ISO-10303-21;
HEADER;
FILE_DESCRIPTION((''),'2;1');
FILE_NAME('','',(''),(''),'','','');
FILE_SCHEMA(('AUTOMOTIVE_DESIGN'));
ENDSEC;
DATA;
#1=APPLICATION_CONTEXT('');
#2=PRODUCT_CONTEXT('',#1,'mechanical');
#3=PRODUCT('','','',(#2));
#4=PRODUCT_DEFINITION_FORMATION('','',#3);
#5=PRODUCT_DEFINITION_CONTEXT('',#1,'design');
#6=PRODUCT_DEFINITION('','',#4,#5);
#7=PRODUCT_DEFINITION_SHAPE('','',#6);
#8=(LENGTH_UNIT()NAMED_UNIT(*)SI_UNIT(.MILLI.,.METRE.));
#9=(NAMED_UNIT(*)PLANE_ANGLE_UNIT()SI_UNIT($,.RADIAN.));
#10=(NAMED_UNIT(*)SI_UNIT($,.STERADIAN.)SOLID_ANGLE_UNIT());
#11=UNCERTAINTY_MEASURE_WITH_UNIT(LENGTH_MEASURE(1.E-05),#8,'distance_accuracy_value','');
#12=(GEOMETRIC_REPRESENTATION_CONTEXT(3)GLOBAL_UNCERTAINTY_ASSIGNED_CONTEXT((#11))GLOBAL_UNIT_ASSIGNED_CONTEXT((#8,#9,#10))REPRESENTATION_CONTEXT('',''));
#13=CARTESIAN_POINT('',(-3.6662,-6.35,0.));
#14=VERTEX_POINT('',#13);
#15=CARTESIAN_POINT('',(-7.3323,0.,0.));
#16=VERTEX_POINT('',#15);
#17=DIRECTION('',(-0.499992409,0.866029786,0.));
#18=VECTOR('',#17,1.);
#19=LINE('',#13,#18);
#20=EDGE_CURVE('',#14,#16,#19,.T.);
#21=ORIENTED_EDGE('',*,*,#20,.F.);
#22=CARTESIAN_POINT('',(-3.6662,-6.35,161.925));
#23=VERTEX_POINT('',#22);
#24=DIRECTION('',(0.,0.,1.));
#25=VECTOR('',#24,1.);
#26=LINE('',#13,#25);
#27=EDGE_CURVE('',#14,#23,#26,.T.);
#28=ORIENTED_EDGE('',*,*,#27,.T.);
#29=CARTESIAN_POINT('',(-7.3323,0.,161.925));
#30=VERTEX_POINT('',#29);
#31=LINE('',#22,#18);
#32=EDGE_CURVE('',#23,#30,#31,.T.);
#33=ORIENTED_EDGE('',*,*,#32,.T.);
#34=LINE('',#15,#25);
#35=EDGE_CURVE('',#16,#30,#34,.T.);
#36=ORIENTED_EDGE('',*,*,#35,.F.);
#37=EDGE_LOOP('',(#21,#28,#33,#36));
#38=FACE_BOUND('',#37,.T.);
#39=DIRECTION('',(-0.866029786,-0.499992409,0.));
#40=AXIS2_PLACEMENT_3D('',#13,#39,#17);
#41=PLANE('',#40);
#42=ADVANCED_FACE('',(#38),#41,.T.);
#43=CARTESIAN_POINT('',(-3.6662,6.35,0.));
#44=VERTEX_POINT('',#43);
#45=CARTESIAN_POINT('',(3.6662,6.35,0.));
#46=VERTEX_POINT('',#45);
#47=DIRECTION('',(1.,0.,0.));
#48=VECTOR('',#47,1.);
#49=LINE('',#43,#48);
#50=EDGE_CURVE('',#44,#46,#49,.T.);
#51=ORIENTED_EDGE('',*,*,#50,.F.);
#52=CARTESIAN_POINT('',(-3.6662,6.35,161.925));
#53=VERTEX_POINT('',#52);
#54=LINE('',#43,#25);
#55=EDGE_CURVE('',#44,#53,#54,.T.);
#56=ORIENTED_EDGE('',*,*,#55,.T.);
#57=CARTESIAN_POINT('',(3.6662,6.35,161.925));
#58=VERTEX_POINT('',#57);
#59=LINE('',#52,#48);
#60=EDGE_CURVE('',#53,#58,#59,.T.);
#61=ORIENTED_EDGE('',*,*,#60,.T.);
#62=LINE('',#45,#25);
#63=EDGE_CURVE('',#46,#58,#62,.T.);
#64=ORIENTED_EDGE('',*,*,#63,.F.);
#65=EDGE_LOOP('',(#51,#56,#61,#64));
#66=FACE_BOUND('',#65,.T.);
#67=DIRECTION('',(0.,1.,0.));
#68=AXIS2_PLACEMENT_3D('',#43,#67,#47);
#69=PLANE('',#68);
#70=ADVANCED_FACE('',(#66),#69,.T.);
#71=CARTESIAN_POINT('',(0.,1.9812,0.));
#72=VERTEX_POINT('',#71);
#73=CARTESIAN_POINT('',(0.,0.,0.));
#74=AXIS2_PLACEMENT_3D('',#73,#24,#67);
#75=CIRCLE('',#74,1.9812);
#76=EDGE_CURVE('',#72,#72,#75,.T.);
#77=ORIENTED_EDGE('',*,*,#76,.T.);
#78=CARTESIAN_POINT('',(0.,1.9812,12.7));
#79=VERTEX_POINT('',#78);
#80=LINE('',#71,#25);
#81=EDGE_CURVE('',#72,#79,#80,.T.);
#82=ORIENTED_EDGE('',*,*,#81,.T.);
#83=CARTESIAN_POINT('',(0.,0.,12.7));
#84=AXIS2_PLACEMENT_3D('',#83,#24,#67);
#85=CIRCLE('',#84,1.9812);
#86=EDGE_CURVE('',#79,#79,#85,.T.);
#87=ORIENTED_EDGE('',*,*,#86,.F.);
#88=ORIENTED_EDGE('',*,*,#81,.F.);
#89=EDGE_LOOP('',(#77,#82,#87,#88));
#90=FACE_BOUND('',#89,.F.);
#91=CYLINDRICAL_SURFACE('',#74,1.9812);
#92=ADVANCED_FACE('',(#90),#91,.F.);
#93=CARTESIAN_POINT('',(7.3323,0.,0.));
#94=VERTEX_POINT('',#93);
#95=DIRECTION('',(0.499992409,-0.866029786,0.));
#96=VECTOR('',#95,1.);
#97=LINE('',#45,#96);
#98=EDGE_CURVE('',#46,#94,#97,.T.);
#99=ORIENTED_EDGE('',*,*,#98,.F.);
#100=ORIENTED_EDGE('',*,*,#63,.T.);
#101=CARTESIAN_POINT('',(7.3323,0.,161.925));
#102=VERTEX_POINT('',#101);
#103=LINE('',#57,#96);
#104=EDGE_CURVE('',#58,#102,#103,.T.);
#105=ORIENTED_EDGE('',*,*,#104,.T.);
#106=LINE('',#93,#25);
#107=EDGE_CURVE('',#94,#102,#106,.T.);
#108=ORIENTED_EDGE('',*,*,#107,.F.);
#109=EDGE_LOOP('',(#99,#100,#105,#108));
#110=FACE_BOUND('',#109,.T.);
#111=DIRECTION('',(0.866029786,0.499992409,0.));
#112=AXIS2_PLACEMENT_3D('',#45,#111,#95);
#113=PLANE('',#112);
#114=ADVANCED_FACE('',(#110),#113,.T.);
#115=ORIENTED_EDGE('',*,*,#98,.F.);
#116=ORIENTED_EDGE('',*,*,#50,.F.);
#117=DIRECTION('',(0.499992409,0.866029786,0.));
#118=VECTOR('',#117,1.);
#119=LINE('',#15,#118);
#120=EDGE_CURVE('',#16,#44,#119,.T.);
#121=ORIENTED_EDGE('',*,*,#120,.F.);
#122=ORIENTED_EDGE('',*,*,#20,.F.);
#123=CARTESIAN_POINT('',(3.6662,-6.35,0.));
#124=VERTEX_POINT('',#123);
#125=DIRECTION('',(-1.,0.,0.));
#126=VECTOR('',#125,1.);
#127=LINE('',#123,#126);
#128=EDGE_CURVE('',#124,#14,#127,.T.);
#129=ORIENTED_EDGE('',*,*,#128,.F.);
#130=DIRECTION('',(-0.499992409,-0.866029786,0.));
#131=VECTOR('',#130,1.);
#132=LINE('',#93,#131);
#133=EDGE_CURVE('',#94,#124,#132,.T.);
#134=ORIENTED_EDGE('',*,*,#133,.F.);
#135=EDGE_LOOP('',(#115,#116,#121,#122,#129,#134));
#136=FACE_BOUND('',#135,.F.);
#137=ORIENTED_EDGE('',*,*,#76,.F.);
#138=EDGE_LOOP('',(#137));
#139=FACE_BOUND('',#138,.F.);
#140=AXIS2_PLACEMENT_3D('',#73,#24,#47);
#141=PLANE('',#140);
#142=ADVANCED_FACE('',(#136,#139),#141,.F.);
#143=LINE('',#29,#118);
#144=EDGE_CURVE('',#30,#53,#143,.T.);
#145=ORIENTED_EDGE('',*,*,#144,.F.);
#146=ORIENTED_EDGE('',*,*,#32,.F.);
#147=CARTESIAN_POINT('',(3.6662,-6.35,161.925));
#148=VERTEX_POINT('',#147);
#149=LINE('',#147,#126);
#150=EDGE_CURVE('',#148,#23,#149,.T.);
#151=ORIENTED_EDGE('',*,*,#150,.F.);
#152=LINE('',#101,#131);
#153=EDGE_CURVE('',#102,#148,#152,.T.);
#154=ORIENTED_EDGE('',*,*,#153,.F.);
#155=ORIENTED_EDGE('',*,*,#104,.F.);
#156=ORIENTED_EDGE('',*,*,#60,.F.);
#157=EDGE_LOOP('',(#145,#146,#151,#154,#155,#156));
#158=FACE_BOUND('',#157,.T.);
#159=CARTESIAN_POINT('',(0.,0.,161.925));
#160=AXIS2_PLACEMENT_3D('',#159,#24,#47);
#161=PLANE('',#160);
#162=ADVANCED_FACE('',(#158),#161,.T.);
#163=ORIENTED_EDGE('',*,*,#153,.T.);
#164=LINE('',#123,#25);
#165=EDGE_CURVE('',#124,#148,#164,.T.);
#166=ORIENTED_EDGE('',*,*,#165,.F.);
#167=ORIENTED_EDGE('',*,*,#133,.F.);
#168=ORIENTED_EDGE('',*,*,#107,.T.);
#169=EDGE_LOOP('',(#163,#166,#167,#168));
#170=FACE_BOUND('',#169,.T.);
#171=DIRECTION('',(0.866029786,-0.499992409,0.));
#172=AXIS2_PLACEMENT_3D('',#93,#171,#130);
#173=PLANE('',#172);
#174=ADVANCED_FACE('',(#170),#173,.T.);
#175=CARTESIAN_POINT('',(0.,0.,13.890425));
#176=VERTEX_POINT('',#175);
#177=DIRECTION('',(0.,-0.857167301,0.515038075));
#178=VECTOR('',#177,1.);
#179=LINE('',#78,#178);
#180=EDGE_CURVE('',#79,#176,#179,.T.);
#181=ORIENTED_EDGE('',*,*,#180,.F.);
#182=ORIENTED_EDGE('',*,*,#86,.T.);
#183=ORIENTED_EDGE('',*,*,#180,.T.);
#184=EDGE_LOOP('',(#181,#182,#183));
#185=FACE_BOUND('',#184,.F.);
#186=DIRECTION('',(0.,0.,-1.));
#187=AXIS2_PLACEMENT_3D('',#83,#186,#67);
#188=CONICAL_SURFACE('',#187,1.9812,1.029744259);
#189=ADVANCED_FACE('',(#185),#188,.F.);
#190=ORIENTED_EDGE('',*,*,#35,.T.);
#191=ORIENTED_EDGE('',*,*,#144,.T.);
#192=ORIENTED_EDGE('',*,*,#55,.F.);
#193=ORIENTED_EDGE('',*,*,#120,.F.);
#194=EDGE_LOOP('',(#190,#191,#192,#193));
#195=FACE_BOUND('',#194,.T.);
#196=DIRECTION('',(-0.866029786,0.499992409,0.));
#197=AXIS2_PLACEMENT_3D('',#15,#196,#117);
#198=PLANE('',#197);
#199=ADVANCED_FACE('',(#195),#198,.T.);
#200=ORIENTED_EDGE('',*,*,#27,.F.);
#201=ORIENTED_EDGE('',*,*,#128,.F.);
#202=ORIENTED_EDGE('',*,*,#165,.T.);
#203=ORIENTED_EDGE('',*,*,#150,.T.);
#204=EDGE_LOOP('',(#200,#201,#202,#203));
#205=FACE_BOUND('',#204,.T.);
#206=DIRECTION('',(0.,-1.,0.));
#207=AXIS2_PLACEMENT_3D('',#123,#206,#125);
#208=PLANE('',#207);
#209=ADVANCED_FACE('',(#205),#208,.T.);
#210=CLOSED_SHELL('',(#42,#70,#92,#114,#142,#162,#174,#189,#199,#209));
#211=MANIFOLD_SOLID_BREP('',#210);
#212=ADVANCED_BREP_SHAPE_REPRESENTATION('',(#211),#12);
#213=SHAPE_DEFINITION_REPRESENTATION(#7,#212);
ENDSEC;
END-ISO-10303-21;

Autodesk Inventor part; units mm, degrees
ref_plane "YZ Plane" through (0, 0, 0) normal (1, 0, 0) x (0, 1, 0)
ref_plane "XZ Plane" through (0, 0, 0) normal (0, 1, 0) x (-1, 0, 0)
ref_plane "XY Plane" through (0, 0, 0) normal (0, 0, 1) x (1, 0, 0)
sketch "Sketch1" plane through (0, 0, 0) normal (0, 0, 1) x (1, 0, 0)
  line L0 (3.6662, -6.35) -> (-3.6662, -6.35)
  line L1 (-3.6662, -6.35) -> (-7.3323, 0)
  line L2 (-7.3323, 0) -> (-3.6662, 6.35)
  line L3 (-3.6662, 6.35) -> (3.6662, 6.35)
  line L4 (3.6662, 6.35) -> (7.3323, 0)
  line L5 (7.3323, 0) -> (3.6662, -6.35)
  point P0 (0, 0)
  point P1 (0, 0)
  dimension "d0" = 12.7
extrude "Extrusion1" add sketch "Sketch1" along normal blind 161.925
sketch "Sketch2" plane through (0, 0, 0) normal (0, 0, -1) x (-1, 0, 0)
  point P0 (0, 0)
  point P1 (0, 0)
hole "Hole1" at (0, 0, 0) direction (0, 0, 1) diameter 3.9624 depth 12.7 tip angle 118 thread size "10-32 UNF" class "2B" standard "ANSI Unified Screw Threads"
properties part number "STOCK,HEX,SHAFT,HUB"
